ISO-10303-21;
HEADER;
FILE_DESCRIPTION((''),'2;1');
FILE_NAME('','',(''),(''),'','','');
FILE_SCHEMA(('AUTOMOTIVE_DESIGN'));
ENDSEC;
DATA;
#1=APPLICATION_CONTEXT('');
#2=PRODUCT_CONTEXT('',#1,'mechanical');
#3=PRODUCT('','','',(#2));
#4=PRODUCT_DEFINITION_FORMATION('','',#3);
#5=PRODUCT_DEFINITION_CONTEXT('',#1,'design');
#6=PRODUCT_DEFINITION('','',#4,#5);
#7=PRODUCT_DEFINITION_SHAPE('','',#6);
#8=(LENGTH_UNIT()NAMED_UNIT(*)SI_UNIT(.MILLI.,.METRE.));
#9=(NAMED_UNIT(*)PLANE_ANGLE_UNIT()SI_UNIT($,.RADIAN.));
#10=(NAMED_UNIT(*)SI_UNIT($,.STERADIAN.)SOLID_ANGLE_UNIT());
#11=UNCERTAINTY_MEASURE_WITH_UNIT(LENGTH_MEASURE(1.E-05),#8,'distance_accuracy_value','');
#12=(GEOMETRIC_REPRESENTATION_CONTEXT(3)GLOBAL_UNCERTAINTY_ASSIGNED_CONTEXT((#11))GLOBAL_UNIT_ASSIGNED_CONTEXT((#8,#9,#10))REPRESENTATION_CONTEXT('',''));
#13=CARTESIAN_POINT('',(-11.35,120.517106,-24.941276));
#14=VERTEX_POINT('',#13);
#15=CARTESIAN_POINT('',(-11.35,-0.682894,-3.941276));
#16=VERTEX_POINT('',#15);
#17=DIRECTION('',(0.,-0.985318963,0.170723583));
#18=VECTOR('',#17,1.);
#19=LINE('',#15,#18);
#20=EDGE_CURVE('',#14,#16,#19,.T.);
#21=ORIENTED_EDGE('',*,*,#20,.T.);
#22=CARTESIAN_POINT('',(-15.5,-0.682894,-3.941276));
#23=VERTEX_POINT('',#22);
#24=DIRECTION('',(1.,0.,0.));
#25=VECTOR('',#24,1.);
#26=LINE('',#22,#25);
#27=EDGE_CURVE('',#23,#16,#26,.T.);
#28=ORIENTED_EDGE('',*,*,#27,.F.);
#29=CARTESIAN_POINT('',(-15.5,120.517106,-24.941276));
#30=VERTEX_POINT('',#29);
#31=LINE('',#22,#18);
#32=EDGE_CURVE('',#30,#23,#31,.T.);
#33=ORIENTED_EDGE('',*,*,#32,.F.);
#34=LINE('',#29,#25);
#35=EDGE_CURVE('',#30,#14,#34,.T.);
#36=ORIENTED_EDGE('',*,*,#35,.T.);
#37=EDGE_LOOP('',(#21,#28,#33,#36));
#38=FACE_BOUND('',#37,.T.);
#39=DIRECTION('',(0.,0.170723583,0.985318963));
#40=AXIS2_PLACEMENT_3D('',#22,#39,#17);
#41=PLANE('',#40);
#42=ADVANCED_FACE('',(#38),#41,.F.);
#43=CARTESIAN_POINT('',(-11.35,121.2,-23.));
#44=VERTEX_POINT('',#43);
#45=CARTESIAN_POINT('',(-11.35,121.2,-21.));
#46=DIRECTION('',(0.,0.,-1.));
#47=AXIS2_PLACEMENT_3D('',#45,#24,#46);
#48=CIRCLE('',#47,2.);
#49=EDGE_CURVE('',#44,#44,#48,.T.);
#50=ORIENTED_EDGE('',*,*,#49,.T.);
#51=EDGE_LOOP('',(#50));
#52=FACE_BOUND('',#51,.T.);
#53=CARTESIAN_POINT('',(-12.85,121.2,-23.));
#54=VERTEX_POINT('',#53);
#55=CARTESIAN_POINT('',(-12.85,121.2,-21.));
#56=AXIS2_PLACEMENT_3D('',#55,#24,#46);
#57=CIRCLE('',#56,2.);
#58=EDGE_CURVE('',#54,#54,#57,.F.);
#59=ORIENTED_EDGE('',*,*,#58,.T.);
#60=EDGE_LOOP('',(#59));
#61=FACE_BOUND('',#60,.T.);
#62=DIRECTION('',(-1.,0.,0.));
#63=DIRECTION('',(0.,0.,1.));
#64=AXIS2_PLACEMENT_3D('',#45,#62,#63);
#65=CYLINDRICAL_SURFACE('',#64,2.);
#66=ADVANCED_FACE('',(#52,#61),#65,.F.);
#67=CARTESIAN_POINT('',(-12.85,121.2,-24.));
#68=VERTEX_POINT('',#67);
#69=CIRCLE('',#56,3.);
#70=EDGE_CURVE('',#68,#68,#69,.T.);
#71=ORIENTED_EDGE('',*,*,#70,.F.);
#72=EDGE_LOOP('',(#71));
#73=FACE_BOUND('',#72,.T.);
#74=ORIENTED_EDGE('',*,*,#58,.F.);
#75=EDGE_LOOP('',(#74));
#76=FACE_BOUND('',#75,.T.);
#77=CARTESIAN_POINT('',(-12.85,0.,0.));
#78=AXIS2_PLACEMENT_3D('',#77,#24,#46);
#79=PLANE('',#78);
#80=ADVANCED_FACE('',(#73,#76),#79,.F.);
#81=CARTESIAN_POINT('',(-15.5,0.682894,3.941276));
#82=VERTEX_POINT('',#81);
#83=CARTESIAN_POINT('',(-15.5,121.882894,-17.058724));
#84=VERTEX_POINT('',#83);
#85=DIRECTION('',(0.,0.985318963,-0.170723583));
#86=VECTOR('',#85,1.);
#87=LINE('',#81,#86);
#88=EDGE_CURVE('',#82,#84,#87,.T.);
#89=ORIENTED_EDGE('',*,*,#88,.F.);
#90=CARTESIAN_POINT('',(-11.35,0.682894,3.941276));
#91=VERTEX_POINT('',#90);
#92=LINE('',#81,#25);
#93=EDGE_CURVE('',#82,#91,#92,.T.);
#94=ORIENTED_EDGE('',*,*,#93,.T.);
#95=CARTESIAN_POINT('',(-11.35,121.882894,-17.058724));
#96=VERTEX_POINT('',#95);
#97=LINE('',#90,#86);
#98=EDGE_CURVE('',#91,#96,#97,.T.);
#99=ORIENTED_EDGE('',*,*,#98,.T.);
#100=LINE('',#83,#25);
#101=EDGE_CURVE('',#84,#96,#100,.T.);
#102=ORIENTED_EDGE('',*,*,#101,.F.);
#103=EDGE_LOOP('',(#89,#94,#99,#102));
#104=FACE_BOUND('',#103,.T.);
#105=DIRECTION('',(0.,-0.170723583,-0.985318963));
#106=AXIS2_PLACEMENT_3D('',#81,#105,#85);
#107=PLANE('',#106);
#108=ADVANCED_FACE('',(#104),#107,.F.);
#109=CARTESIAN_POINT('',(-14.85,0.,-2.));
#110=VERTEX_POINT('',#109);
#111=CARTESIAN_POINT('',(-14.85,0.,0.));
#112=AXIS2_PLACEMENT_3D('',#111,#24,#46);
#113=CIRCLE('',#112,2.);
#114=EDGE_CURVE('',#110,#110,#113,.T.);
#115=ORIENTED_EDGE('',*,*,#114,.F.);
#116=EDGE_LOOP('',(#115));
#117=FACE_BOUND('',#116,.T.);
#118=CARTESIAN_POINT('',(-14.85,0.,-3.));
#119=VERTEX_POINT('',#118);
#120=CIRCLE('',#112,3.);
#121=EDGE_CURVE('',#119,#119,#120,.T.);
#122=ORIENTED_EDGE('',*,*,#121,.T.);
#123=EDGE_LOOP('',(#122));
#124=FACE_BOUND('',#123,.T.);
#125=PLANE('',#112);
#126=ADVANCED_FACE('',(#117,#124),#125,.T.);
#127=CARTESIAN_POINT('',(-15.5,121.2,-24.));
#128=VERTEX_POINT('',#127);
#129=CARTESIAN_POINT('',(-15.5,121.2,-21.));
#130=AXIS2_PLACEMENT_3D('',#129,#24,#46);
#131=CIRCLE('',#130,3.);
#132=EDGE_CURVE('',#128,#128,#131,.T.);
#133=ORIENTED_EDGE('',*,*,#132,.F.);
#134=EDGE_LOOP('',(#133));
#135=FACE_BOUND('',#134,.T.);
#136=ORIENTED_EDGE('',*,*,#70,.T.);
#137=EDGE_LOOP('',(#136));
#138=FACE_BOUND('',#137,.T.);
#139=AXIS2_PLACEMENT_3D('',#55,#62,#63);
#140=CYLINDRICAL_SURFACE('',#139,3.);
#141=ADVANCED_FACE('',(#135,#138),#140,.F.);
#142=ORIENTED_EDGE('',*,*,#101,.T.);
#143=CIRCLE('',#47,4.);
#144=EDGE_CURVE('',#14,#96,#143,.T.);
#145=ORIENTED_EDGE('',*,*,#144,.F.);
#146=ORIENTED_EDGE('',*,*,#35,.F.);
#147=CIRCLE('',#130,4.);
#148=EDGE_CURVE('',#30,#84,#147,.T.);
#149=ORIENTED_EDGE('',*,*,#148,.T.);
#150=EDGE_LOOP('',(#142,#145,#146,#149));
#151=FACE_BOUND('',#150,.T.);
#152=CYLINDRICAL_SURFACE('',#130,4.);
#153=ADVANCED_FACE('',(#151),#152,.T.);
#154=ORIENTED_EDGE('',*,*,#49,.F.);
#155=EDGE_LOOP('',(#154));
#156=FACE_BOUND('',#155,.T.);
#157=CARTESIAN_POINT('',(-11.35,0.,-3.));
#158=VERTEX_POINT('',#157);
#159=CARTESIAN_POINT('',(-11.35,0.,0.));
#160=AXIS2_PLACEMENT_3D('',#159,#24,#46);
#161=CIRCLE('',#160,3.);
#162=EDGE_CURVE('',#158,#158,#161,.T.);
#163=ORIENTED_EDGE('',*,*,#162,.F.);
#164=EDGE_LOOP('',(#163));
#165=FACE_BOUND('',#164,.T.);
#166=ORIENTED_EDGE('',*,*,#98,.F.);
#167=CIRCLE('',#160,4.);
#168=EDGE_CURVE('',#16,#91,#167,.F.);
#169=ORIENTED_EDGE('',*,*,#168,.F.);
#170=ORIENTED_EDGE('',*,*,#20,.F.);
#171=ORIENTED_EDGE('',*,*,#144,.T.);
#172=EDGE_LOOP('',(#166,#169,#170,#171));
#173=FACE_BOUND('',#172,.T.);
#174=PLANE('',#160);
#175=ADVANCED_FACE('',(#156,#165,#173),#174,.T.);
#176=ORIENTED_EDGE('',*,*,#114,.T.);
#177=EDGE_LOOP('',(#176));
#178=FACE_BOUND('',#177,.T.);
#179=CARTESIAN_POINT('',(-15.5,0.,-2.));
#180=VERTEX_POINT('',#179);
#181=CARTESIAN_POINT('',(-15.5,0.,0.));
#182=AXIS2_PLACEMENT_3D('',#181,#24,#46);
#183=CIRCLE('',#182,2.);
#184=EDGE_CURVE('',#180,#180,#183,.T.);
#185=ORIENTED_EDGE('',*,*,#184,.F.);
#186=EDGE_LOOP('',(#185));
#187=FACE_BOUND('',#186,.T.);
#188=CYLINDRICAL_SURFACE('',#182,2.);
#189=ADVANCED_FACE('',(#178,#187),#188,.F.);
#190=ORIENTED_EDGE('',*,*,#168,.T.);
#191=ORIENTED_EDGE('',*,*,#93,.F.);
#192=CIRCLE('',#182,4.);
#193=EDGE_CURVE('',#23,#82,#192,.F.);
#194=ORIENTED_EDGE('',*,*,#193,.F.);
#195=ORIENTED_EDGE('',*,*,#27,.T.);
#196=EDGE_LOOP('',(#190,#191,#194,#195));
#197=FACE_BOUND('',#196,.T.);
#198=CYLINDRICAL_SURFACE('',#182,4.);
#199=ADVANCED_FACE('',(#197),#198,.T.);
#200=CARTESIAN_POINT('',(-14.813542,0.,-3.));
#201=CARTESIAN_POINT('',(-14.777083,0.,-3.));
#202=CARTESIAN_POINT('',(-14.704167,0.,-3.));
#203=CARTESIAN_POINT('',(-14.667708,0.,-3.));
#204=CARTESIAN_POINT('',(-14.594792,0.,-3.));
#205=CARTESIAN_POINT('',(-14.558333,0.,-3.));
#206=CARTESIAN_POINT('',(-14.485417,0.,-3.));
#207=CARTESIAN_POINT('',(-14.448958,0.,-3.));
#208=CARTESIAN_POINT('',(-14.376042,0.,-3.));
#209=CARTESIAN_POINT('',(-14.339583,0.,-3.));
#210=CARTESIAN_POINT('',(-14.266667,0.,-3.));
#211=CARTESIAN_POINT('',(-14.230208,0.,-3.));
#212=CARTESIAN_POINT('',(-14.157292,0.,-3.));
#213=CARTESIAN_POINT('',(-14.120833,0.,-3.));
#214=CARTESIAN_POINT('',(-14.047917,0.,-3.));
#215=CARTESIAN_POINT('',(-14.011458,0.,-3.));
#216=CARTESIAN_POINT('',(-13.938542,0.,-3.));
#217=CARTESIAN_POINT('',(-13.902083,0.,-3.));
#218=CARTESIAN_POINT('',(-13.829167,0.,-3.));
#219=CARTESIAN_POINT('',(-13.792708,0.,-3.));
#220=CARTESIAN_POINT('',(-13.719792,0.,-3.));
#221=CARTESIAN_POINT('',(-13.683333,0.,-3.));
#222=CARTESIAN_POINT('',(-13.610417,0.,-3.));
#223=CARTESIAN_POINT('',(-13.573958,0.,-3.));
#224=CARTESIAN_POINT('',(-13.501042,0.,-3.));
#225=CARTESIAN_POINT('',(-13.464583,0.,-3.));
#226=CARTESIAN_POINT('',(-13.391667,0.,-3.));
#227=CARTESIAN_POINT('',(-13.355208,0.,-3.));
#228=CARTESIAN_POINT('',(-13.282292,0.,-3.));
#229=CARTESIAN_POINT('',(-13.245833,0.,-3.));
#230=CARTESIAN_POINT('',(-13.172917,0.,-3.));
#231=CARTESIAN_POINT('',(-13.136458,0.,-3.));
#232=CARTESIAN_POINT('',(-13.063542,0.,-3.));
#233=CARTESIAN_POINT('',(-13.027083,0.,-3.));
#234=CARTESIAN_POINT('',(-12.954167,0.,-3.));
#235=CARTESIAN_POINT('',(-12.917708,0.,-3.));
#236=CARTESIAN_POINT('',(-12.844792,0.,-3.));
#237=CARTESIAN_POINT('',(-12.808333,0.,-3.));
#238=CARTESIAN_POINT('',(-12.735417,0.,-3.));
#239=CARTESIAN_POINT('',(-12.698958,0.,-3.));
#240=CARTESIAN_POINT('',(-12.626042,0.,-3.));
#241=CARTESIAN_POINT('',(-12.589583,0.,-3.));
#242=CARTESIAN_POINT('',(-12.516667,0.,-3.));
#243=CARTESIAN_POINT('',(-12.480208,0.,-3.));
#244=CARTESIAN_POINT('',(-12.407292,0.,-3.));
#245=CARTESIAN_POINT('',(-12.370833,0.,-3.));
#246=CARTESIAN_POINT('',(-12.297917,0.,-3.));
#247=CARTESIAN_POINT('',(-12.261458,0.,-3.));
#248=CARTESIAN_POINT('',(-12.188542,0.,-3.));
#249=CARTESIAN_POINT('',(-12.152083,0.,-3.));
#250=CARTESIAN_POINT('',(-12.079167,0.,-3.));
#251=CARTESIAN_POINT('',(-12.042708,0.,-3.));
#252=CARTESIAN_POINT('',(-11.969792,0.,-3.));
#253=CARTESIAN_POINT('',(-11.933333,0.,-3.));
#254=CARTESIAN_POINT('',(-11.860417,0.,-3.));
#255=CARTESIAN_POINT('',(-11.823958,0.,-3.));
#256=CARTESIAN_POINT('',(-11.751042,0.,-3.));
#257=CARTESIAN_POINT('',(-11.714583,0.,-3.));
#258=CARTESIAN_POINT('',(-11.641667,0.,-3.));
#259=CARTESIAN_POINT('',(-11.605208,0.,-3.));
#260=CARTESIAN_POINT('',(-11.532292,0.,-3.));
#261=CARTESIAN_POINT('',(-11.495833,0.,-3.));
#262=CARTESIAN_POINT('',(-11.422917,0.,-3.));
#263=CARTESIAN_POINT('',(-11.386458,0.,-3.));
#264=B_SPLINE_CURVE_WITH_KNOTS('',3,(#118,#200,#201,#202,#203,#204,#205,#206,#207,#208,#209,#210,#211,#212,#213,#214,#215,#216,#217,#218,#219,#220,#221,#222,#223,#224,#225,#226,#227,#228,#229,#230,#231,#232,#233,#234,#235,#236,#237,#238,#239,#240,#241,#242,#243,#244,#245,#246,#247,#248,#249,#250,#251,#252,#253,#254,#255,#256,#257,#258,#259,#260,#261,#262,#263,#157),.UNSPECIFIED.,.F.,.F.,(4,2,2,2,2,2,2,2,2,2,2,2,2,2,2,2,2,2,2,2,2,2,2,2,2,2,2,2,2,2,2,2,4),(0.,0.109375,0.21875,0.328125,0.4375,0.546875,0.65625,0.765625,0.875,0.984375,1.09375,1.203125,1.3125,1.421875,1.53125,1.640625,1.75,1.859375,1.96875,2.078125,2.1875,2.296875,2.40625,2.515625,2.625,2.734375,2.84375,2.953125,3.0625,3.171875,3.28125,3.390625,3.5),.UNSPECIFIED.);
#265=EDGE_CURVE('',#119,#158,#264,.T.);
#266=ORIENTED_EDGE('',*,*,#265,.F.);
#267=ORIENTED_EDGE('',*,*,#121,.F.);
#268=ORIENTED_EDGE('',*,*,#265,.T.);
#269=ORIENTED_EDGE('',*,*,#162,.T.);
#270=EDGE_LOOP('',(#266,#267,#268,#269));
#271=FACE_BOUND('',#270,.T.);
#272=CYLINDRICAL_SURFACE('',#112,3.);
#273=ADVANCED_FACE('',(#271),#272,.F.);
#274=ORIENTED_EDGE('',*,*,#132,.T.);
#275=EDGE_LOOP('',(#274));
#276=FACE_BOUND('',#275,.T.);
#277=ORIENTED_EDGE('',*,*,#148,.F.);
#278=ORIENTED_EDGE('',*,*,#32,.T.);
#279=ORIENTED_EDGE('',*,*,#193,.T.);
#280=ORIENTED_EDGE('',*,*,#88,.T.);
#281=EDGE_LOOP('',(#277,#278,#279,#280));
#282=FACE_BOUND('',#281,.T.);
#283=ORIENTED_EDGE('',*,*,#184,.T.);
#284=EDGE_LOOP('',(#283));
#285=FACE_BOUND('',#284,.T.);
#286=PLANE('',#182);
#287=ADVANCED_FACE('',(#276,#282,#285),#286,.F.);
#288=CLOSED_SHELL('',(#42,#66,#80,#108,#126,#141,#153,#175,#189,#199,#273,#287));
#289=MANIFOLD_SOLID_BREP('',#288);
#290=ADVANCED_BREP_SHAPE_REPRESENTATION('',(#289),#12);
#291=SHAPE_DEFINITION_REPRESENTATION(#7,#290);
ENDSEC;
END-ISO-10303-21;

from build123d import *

# Parameters (mm, degrees)
BOSS_EXTRUDE1_START = -11.35
SKETCH2_R           = 2
BOSS_EXTRUDE1_DEPTH = 4.15
CUT_EXTRUDE1_START  = -15.5
SKETCH2_3_R         = 3
SKETCH2_3_R_2       = 2
CUT_EXTRUDE1_DEPTH  = 2.65
CUT_EXTRUDE2_START  = -12.85
SKETCH2_4_R         = 2
CUT_EXTRUDE2_DEPTH  = 1.5
CUT_EXTRUDE3_START  = -14.85
SKETCH2_5_R         = 3
CUT_EXTRUDE3_DEPTH  = 3.5


with BuildPart() as part:
    # Sketch2 → Boss-Extrude1 (new body)
    with BuildSketch(Plane(origin=(0, 0, 0), x_dir=(0, 0, -1), z_dir=(1, 0, 0)).offset(BOSS_EXTRUDE1_START)):
        with BuildLine():
            Line((24.941275851, 120.517105669), (3.941275851, -0.682894331))
            ThreePointArc((3.941275851, -0.682894331), (-0.682894331, -3.941275851), (-3.941275851, 0.682894331))
            Line((-3.941275851, 0.682894331), (17.058724149, 121.882894331))
            ThreePointArc((17.058724149, 121.882894331), (21.682894331, 125.141275851), (24.941275851, 120.517105669))
        make_face()
        Circle(SKETCH2_R, mode=Mode.SUBTRACT)
    extrude(amount=-BOSS_EXTRUDE1_DEPTH)

    # Sketch2<3> → Cut-Extrude1 (cut)
    # profile 1 of 2: a face of its own
    with BuildSketch(Plane(origin=(0, 0, 0), x_dir=(0, 0, -1), z_dir=(1, 0, 0)).offset(CUT_EXTRUDE1_START)):
        with Locations((21, 121.2)):
            Circle(SKETCH2_3_R)
        with Locations((21, 121.2)):
            Circle(SKETCH2_3_R_2, mode=Mode.SUBTRACT)
    # profile 2 of 2: a face of its own
    with BuildSketch(Plane(origin=(0, 0, 0), x_dir=(0, 0, -1), z_dir=(1, 0, 0)).offset(CUT_EXTRUDE1_START)):
        with Locations((21, 121.2)):
            Circle(SKETCH2_3_R_2)
    extrude(amount=CUT_EXTRUDE1_DEPTH, mode=Mode.SUBTRACT)

    # Sketch2<4> → Cut-Extrude2 (cut)
    with BuildSketch(Plane(origin=(0, 0, 0), x_dir=(0, 0, -1), z_dir=(1, 0, 0)).offset(CUT_EXTRUDE2_START)):
        with Locations((21, 121.2)):
            Circle(SKETCH2_4_R)
    extrude(amount=CUT_EXTRUDE2_DEPTH, mode=Mode.SUBTRACT)

    # Sketch2<5> → Cut-Extrude3 (cut)
    with BuildSketch(Plane(origin=(0, 0, 0), x_dir=(0, 0, -1), z_dir=(1, 0, 0)).offset(CUT_EXTRUDE3_START)):
        Circle(SKETCH2_5_R)
    extrude(amount=CUT_EXTRUDE3_DEPTH, mode=Mode.SUBTRACT)


solid = part.part
